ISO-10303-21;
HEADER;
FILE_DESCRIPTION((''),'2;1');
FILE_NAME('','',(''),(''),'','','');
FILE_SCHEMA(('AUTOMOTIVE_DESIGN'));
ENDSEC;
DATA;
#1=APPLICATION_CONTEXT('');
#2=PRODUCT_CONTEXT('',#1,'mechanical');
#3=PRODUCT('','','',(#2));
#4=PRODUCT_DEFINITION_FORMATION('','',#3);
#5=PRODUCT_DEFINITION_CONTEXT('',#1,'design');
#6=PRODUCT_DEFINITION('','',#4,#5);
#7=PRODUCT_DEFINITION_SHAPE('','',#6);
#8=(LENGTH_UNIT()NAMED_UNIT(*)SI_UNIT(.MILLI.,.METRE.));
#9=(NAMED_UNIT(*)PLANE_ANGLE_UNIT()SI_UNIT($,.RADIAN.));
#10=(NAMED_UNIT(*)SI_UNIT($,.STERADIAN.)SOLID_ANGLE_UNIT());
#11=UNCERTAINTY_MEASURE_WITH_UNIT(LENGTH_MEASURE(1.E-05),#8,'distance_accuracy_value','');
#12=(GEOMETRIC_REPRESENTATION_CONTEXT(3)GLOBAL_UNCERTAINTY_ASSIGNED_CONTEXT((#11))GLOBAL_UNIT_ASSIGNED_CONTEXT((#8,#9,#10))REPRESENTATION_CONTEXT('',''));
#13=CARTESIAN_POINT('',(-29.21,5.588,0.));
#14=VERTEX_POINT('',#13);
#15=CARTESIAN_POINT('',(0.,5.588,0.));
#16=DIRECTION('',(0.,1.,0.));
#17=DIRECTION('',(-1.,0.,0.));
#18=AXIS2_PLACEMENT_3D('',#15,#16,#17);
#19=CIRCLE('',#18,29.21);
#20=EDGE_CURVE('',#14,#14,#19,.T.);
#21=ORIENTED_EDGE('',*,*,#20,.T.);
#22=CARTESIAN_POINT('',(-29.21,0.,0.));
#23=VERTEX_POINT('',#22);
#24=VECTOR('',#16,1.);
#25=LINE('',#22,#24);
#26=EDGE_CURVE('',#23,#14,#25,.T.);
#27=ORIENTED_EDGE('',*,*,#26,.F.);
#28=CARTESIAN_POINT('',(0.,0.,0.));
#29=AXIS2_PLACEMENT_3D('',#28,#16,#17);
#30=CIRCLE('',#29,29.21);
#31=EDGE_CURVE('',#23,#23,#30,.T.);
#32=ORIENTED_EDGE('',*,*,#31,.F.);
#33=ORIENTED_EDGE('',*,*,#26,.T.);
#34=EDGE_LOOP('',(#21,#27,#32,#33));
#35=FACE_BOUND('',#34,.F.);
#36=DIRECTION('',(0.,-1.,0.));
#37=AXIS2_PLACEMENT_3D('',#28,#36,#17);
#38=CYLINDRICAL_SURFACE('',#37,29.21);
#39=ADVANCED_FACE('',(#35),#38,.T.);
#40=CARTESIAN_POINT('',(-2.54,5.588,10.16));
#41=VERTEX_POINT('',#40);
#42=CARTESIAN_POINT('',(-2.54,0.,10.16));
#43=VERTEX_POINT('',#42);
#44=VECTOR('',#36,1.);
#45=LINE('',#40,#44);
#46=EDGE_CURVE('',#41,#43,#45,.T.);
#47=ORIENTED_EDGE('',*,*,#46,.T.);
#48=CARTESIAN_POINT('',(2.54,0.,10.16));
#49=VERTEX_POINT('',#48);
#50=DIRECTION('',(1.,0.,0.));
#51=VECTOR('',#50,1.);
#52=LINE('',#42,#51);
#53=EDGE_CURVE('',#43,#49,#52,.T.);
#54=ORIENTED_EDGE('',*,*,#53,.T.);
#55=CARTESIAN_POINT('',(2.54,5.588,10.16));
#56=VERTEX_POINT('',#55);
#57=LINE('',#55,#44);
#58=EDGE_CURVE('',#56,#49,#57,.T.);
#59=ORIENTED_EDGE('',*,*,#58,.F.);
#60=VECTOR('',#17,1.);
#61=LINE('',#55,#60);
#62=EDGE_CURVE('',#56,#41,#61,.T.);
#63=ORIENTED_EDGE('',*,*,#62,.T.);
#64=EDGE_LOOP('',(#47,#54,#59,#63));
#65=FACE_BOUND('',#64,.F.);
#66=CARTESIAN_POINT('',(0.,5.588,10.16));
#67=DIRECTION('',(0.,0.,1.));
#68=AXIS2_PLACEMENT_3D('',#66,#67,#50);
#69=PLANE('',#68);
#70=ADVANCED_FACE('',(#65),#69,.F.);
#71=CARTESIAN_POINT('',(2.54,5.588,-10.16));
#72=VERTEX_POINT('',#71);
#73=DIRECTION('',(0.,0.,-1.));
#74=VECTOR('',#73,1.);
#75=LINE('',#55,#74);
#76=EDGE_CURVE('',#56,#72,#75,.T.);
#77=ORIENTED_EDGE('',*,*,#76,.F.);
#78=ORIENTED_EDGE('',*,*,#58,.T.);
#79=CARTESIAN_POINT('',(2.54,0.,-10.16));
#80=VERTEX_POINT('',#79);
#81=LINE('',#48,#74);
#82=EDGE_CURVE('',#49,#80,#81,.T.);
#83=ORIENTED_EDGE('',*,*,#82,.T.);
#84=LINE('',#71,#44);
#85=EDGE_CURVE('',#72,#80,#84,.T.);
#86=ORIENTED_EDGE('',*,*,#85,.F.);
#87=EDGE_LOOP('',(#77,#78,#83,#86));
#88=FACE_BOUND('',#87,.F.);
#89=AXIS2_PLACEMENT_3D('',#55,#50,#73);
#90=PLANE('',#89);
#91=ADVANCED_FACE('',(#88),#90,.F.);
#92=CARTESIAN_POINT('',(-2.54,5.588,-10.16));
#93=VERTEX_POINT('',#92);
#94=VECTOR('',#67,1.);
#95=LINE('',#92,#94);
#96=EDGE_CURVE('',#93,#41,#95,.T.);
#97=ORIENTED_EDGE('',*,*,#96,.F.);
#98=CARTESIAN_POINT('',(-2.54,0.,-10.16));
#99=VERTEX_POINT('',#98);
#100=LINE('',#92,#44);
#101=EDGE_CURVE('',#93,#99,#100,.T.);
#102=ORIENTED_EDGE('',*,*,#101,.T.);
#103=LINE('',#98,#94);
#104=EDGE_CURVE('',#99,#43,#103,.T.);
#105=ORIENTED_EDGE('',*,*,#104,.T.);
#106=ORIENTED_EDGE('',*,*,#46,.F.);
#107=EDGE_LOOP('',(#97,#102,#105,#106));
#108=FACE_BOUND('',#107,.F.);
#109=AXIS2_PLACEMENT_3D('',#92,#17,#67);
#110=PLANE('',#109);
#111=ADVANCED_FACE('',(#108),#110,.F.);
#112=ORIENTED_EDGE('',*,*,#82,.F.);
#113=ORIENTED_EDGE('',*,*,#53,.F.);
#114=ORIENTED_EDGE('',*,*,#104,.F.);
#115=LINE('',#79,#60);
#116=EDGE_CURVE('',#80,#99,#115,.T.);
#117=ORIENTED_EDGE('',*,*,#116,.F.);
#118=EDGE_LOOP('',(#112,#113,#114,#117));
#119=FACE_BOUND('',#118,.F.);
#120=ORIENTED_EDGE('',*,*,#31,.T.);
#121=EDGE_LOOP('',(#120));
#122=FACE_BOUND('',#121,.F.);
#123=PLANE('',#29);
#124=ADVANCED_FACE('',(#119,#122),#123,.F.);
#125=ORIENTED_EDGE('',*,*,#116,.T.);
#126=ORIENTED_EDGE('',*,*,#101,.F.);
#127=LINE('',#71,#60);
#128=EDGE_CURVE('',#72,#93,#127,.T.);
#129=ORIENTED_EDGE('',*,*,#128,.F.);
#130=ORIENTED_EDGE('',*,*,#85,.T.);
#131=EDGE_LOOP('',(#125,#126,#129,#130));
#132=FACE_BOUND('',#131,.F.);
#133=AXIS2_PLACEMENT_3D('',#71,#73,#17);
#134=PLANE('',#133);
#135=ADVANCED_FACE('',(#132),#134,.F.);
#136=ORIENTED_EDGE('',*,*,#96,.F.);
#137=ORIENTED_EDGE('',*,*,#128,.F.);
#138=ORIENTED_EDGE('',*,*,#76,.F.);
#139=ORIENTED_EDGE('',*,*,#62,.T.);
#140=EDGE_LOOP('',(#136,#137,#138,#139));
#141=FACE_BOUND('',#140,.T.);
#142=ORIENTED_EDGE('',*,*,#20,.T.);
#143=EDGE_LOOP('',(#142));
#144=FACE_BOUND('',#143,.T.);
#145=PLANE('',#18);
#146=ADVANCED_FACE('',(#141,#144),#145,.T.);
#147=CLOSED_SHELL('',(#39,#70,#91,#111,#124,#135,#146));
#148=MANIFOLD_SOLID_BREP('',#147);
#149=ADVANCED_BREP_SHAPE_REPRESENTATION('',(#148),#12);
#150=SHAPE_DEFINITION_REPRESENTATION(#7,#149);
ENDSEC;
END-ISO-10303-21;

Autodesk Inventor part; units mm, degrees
ref_plane "YZ Plane" through (0, 0, 0) normal (1, 0, 0) x (0, 1, 0)
ref_plane "XZ Plane" through (0, 0, 0) normal (0, 1, 0) x (-1, 0, 0)
ref_plane "XY Plane" through (0, 0, 0) normal (0, 0, 1) x (1, 0, 0)
sketch "Sketch1" plane through (0, 0, 0) normal (0, 1, 0) x (-1, 0, 0)
  circle A0 centre (0, 0) radius 29.21
  dimension "d0" = 58.42
extrude "Extrusion1" add sketch "Sketch1" along normal blind 5.588
sketch "Sketch2" plane through (0, 5.588, 0) normal (0, 1, 0) x (1, 0, 0)
  line L0 (0, 0) -> (0, -10.16)
  line L1 (0, -10.16) -> (-2.54, -10.16)
  line L2 (-2.54, -10.16) -> (2.54, -10.16)
  line L3 (2.54, -10.16) -> (2.54, 10.16)
  line L4 (2.54, 10.16) -> (-2.54, 10.16)
  line L5 (-2.54, 10.16) -> (-2.54, -10.16)
  dimension "d3" = 10.16
  dimension "d4" = 2.54
  dimension "d5" = 5.08
  dimension "d6" = 20.32
extrude "Extrusion2" cut sketch "Sketch2" against normal blind 5.588
properties part number "open4" material "Plastic, Transparent"
